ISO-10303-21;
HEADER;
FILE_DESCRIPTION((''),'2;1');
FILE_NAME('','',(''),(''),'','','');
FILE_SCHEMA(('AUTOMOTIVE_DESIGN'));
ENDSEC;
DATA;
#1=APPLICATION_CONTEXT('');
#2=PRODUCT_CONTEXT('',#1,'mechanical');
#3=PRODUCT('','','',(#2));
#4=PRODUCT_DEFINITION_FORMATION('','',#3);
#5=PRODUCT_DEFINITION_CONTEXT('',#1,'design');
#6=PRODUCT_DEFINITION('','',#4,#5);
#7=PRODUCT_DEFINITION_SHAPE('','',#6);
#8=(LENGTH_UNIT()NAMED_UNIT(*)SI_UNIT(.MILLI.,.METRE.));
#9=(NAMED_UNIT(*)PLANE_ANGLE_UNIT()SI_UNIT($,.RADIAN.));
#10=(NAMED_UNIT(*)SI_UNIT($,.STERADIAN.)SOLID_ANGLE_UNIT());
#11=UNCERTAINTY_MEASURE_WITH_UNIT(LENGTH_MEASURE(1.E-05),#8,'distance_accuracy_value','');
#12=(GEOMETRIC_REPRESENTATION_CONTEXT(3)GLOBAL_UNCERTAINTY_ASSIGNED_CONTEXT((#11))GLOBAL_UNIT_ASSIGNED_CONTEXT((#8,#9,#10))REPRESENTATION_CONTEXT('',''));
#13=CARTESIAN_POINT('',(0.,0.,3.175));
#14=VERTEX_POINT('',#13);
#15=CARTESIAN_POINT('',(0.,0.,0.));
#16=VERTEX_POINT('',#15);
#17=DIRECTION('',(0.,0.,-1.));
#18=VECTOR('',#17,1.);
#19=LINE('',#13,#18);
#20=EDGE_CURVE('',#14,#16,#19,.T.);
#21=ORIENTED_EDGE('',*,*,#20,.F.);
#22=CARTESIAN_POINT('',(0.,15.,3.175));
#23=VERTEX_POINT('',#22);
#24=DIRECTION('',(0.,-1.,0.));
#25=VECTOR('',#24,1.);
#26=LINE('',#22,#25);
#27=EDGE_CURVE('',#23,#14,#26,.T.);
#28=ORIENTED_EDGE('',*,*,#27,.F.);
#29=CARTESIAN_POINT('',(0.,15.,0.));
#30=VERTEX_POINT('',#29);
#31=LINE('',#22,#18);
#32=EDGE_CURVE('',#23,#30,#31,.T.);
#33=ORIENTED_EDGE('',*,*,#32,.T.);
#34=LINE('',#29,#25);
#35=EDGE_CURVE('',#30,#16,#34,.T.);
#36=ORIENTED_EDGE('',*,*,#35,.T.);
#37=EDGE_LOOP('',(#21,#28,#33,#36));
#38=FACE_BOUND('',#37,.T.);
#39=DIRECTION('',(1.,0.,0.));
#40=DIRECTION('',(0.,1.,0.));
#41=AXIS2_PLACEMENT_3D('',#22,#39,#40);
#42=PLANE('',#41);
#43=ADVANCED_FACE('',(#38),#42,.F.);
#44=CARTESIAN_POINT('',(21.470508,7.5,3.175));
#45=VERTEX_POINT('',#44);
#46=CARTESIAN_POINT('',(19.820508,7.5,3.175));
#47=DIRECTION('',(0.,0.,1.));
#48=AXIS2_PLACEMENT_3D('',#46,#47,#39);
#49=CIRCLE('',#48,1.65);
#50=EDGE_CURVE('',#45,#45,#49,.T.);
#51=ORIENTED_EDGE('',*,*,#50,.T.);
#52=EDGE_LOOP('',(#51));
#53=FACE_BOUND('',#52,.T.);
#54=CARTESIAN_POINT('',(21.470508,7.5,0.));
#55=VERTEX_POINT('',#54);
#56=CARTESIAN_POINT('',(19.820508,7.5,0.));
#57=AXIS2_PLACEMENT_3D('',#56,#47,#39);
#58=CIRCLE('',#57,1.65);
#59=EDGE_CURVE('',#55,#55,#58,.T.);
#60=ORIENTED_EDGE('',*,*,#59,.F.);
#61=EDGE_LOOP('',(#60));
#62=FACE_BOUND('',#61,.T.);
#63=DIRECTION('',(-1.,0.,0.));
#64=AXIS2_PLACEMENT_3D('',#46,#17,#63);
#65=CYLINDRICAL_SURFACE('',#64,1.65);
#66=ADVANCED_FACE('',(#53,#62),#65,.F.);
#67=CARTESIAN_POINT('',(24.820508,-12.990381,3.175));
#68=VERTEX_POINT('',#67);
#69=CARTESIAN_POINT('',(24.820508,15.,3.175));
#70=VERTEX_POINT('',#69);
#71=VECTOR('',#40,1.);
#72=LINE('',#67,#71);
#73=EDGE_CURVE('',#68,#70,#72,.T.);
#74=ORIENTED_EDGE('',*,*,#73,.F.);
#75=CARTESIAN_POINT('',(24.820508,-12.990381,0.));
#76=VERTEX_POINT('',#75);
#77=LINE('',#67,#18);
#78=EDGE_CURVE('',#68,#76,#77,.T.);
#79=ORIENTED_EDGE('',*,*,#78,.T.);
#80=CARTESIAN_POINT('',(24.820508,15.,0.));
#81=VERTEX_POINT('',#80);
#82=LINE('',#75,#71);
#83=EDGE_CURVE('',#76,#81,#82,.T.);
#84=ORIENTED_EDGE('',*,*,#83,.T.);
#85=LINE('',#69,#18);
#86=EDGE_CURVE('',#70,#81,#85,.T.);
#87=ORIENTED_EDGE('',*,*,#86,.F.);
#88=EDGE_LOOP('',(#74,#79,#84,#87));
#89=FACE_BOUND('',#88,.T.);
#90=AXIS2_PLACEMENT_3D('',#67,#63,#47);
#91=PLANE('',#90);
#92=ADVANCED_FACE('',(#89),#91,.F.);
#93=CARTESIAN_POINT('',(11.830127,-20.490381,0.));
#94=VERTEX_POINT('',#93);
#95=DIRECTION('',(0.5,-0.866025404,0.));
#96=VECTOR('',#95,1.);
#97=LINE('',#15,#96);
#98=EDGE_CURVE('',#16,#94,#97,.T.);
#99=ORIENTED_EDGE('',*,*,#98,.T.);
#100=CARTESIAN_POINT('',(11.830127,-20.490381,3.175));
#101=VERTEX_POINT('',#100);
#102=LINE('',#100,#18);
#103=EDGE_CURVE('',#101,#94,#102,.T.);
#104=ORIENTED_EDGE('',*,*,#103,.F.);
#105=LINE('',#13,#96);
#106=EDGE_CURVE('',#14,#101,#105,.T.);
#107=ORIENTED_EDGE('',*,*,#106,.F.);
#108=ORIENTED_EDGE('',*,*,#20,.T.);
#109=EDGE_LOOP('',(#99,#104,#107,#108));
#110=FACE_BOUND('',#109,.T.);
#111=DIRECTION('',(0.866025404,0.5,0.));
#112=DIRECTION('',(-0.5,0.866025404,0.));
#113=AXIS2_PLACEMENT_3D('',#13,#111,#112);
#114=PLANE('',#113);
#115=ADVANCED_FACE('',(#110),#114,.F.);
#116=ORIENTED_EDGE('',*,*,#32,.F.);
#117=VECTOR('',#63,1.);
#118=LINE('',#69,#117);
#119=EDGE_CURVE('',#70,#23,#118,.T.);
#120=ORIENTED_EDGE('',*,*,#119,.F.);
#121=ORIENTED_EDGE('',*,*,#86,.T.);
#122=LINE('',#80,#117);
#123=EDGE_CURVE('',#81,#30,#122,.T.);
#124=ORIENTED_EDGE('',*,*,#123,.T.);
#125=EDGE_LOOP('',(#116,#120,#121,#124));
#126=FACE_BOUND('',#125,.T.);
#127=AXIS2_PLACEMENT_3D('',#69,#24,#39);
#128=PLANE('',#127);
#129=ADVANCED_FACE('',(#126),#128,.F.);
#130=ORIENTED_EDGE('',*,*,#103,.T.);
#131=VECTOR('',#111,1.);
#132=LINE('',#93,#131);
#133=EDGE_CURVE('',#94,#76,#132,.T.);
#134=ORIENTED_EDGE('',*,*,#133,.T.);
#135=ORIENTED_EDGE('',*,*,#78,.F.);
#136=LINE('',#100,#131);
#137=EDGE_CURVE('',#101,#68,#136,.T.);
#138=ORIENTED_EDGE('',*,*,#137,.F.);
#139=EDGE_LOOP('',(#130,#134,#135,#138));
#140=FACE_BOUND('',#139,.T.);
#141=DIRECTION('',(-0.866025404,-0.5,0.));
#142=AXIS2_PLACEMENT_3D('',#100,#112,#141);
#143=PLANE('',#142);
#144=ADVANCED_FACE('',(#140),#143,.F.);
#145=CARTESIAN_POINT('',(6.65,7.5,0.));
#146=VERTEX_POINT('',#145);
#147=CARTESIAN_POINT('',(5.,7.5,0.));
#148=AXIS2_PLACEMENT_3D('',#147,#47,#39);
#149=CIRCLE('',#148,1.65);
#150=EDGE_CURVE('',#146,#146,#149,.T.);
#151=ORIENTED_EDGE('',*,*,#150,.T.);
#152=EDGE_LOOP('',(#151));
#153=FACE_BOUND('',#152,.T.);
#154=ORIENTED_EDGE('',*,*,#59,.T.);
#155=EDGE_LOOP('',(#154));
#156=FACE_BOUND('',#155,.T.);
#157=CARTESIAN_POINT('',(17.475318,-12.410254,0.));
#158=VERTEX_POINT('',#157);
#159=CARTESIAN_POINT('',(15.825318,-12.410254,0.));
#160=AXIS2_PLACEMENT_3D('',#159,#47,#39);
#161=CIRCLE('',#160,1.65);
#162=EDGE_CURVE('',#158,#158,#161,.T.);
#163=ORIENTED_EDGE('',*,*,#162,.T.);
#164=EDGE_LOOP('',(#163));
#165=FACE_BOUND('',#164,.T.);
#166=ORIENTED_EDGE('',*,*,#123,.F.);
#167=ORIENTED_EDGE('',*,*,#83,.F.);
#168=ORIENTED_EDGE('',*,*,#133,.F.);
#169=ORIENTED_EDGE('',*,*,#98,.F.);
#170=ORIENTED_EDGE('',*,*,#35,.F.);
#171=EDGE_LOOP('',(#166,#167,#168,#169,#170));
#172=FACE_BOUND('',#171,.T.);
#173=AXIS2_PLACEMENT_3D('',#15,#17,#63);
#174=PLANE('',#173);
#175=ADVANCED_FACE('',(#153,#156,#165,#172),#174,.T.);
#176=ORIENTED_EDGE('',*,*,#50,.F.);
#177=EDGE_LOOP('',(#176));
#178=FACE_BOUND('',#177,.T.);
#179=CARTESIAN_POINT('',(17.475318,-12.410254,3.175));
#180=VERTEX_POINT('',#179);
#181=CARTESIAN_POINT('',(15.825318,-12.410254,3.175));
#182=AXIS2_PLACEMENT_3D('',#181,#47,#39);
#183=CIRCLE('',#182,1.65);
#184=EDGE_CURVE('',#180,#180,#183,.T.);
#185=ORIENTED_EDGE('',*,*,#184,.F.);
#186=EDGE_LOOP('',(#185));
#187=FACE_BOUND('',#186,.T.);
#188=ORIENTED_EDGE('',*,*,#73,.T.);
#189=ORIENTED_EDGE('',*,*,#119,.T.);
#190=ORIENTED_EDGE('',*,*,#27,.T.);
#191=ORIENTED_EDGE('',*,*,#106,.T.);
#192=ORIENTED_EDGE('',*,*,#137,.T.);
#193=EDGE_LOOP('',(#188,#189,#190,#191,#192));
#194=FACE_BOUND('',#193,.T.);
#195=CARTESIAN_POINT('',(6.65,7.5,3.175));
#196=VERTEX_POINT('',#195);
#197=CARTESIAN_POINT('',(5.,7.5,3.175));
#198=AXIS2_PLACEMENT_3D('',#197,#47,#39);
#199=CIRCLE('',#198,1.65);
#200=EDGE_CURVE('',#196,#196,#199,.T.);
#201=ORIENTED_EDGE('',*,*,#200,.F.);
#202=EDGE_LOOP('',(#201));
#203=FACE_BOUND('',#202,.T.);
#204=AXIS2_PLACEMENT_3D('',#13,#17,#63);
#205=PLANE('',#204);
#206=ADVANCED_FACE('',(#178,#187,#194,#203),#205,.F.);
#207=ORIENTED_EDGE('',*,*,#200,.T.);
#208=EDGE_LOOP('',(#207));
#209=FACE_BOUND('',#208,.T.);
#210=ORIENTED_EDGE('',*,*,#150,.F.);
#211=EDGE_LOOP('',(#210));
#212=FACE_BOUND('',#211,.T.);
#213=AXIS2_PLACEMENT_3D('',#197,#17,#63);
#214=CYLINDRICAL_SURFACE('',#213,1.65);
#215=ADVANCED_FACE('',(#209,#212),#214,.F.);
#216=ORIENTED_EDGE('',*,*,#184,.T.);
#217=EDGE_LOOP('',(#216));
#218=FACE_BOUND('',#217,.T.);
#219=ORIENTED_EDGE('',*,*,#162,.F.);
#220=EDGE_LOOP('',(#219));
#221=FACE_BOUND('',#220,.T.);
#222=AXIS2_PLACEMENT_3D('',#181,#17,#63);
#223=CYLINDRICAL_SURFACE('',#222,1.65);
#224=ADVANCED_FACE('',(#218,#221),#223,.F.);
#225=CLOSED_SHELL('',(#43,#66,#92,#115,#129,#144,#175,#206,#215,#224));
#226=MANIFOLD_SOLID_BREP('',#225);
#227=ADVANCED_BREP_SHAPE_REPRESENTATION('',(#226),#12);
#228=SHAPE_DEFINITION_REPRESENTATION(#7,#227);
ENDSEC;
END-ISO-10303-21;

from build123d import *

# Parameters (mm, degrees)
SKETCH1_R           = 1.65
BOSS_EXTRUDE1_DEPTH = 3.175


with BuildPart() as part:
    # Sketch1 → Boss-Extrude1 (new body)
    with BuildSketch(Plane.XY):
        Polygon((0, 0), (11.830127019, -20.490381057), (24.820508076, -12.990381057), (24.820508076, 15), (0, 15), align=None)
        with Locations((15.825317547, -12.410254038)):
            Circle(SKETCH1_R, mode=Mode.SUBTRACT)
        with Locations((5, 7.5)):
            Circle(SKETCH1_R, mode=Mode.SUBTRACT)
        with Locations((19.820508076, 7.5)):
            Circle(SKETCH1_R, mode=Mode.SUBTRACT)
    extrude(amount=BOSS_EXTRUDE1_DEPTH)


solid = part.part
